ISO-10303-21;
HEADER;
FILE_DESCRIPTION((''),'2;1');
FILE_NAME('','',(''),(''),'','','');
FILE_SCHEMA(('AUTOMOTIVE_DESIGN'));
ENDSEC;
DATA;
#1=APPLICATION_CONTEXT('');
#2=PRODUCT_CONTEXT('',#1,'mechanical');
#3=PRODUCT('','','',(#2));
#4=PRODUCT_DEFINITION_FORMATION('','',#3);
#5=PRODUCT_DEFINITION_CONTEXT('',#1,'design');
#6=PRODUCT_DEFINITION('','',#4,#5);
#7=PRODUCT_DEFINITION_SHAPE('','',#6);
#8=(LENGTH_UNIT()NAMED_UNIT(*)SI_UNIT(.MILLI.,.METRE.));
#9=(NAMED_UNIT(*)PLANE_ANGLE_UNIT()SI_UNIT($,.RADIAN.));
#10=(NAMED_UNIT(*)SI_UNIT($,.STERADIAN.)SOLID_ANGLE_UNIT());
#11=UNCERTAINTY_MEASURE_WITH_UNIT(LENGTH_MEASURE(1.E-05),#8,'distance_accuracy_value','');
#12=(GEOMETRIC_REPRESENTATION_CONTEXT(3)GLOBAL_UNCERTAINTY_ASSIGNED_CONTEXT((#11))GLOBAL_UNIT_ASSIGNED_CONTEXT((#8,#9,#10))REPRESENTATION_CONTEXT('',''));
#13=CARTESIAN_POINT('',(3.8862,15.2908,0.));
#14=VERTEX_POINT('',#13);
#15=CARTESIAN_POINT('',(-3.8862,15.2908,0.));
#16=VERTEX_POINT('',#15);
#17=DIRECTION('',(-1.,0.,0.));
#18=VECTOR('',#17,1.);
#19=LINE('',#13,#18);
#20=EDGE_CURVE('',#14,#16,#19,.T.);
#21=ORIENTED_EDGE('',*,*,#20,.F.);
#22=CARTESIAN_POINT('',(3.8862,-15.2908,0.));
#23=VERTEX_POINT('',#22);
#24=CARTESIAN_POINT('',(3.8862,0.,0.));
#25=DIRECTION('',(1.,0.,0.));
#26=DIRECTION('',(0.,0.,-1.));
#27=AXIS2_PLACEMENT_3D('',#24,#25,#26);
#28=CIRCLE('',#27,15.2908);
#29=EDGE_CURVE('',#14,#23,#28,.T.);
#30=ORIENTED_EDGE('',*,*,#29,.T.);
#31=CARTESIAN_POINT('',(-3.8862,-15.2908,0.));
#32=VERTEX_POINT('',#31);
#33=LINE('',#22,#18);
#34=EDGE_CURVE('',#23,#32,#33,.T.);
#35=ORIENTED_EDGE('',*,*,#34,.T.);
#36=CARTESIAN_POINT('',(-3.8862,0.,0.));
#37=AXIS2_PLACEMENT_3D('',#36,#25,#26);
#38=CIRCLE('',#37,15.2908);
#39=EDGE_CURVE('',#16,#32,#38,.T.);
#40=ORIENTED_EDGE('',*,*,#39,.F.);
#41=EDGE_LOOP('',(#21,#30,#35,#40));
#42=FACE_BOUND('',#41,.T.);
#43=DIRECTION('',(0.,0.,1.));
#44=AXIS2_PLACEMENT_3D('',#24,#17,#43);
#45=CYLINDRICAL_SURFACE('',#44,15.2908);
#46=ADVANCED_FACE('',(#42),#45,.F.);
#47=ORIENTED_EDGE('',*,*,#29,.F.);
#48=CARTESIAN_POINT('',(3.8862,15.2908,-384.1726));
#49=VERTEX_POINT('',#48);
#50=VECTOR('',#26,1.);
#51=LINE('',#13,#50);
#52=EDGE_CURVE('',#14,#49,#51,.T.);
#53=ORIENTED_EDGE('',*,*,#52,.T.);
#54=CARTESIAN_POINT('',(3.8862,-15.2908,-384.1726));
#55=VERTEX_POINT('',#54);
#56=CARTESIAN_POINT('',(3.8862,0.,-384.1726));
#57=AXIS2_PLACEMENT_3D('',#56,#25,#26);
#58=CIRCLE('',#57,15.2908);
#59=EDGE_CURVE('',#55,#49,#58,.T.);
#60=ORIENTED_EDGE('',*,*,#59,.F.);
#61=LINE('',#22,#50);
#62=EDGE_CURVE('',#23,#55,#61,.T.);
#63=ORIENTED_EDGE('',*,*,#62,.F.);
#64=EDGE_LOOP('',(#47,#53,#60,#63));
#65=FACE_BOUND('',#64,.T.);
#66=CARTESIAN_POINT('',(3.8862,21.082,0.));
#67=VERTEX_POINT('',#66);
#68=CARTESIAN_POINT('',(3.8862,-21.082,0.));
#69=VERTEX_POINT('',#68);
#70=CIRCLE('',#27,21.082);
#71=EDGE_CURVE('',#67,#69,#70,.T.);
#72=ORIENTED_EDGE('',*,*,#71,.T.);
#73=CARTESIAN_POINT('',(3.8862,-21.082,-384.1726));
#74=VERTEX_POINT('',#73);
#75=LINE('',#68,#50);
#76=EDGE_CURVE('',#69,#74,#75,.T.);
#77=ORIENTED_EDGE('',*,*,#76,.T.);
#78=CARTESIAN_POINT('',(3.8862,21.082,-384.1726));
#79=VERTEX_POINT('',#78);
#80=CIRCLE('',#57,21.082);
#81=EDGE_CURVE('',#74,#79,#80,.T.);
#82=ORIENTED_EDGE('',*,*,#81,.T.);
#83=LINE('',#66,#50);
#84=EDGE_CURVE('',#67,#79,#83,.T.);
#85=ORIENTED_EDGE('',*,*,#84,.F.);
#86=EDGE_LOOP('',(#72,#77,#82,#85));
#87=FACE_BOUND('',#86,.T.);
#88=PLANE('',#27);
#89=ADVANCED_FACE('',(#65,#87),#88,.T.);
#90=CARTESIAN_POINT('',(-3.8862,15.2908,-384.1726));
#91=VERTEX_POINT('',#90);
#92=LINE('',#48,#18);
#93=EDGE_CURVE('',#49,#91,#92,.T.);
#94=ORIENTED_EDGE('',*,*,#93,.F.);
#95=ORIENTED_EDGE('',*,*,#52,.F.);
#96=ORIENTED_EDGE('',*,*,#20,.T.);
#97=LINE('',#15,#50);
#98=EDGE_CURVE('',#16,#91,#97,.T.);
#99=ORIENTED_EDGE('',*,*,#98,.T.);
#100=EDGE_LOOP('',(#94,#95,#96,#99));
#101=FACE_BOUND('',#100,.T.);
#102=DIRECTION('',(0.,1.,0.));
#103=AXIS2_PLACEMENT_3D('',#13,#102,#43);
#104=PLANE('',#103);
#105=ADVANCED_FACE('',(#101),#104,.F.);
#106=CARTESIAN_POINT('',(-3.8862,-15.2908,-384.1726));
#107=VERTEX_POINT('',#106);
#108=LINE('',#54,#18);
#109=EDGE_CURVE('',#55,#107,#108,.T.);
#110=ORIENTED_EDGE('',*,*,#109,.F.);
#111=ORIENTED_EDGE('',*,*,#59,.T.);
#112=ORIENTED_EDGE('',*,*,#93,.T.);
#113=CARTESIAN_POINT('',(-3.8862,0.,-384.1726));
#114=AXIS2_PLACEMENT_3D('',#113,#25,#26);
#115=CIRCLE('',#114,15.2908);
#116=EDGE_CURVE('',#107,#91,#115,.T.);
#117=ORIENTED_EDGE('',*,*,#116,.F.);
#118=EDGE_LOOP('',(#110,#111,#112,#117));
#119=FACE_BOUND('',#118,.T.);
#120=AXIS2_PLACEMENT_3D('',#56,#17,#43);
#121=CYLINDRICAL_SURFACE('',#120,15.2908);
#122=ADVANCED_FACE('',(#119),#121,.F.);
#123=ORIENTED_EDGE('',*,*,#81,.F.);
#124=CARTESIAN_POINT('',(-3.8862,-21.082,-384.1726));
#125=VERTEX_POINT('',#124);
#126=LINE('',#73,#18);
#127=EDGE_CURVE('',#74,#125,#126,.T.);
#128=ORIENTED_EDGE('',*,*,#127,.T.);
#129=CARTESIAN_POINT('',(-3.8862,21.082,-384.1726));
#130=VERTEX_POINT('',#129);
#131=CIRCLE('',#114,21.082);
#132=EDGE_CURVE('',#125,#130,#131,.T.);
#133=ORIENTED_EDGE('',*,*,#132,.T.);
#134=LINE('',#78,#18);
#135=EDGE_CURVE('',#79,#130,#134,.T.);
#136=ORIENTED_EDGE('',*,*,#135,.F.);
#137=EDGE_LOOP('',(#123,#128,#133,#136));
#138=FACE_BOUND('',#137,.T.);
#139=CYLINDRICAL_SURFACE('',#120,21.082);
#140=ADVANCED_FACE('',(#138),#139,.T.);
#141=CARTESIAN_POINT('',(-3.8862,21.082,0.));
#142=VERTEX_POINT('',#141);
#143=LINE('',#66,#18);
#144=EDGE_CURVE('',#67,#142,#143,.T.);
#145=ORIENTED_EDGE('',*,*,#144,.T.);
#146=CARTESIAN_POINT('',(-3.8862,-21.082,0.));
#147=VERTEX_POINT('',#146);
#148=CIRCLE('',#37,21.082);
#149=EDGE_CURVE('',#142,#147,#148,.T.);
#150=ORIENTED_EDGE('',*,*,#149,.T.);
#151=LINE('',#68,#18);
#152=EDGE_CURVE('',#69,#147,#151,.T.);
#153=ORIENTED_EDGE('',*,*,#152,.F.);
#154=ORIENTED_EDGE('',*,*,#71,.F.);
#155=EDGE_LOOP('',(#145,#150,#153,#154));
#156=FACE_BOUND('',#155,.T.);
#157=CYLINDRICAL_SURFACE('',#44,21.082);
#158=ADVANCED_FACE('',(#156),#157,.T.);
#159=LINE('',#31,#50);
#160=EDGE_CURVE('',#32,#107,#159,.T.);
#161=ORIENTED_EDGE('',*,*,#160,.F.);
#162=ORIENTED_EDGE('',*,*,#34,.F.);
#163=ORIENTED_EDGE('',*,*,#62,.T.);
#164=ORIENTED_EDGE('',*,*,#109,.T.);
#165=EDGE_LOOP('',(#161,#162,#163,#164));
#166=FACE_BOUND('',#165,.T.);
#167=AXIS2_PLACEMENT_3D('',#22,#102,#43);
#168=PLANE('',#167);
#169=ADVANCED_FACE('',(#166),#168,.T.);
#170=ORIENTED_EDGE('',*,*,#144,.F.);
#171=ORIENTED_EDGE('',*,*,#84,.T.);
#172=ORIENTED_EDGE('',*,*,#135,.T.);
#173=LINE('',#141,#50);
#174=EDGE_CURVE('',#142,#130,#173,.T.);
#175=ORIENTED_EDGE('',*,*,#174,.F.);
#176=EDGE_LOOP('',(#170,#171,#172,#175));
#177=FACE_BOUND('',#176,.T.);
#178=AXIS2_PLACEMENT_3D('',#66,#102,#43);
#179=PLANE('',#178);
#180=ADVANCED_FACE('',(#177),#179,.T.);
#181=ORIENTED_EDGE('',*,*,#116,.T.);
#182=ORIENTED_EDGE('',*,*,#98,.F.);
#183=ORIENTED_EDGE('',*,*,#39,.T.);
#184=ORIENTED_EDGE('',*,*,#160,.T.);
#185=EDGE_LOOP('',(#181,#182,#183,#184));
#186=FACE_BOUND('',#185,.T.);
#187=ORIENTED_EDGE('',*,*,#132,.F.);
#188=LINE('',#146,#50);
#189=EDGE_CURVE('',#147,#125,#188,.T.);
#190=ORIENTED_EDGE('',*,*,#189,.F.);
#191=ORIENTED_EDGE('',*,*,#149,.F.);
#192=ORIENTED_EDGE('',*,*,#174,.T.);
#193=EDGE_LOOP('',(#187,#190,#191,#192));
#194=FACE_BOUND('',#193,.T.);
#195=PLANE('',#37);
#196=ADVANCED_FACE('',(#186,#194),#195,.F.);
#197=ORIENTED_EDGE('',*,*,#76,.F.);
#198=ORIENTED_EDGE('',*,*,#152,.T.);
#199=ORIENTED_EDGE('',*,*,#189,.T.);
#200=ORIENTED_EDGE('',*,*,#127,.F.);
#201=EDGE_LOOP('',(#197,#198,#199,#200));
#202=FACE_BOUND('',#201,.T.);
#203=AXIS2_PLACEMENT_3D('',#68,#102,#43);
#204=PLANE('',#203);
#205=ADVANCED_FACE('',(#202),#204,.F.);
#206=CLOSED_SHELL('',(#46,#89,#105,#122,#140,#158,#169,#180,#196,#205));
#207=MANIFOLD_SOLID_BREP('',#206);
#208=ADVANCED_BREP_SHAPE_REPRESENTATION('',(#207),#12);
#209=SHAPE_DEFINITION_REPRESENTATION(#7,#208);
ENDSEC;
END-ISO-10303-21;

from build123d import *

# Parameters (mm, degrees)
BOSS_EXTRUDE1_DEPTH = 3.8862


with BuildPart() as part:
    # Sketch1 → Boss-Extrude1 (new, symmetric)
    with BuildSketch(Plane(origin=(0, 0, 0), x_dir=(0, 0, -1), z_dir=(1, 0, 0))):
        with BuildLine():
            Line((0, 21.082), (384.172599954, 21.082))
            ThreePointArc((384.172599954, 21.082), (405.254599954, 0), (384.172599954, -21.082))
            Line((384.172599954, -21.082), (0, -21.082))
            ThreePointArc((0, -21.082), (-21.082, 0), (0, 21.082))
        make_face()
        with BuildLine():
            Line((0, 15.2908), (384.172599954, 15.2908))
            ThreePointArc((384.172599954, 15.2908), (399.463399954, 0), (384.172599954, -15.2908))
            Line((384.172599954, -15.2908), (0, -15.2908))
            ThreePointArc((0, -15.2908), (-15.2908, 0), (0, 15.2908))
        make_face(mode=Mode.SUBTRACT)
    extrude(amount=BOSS_EXTRUDE1_DEPTH, both=True)


solid = part.part
